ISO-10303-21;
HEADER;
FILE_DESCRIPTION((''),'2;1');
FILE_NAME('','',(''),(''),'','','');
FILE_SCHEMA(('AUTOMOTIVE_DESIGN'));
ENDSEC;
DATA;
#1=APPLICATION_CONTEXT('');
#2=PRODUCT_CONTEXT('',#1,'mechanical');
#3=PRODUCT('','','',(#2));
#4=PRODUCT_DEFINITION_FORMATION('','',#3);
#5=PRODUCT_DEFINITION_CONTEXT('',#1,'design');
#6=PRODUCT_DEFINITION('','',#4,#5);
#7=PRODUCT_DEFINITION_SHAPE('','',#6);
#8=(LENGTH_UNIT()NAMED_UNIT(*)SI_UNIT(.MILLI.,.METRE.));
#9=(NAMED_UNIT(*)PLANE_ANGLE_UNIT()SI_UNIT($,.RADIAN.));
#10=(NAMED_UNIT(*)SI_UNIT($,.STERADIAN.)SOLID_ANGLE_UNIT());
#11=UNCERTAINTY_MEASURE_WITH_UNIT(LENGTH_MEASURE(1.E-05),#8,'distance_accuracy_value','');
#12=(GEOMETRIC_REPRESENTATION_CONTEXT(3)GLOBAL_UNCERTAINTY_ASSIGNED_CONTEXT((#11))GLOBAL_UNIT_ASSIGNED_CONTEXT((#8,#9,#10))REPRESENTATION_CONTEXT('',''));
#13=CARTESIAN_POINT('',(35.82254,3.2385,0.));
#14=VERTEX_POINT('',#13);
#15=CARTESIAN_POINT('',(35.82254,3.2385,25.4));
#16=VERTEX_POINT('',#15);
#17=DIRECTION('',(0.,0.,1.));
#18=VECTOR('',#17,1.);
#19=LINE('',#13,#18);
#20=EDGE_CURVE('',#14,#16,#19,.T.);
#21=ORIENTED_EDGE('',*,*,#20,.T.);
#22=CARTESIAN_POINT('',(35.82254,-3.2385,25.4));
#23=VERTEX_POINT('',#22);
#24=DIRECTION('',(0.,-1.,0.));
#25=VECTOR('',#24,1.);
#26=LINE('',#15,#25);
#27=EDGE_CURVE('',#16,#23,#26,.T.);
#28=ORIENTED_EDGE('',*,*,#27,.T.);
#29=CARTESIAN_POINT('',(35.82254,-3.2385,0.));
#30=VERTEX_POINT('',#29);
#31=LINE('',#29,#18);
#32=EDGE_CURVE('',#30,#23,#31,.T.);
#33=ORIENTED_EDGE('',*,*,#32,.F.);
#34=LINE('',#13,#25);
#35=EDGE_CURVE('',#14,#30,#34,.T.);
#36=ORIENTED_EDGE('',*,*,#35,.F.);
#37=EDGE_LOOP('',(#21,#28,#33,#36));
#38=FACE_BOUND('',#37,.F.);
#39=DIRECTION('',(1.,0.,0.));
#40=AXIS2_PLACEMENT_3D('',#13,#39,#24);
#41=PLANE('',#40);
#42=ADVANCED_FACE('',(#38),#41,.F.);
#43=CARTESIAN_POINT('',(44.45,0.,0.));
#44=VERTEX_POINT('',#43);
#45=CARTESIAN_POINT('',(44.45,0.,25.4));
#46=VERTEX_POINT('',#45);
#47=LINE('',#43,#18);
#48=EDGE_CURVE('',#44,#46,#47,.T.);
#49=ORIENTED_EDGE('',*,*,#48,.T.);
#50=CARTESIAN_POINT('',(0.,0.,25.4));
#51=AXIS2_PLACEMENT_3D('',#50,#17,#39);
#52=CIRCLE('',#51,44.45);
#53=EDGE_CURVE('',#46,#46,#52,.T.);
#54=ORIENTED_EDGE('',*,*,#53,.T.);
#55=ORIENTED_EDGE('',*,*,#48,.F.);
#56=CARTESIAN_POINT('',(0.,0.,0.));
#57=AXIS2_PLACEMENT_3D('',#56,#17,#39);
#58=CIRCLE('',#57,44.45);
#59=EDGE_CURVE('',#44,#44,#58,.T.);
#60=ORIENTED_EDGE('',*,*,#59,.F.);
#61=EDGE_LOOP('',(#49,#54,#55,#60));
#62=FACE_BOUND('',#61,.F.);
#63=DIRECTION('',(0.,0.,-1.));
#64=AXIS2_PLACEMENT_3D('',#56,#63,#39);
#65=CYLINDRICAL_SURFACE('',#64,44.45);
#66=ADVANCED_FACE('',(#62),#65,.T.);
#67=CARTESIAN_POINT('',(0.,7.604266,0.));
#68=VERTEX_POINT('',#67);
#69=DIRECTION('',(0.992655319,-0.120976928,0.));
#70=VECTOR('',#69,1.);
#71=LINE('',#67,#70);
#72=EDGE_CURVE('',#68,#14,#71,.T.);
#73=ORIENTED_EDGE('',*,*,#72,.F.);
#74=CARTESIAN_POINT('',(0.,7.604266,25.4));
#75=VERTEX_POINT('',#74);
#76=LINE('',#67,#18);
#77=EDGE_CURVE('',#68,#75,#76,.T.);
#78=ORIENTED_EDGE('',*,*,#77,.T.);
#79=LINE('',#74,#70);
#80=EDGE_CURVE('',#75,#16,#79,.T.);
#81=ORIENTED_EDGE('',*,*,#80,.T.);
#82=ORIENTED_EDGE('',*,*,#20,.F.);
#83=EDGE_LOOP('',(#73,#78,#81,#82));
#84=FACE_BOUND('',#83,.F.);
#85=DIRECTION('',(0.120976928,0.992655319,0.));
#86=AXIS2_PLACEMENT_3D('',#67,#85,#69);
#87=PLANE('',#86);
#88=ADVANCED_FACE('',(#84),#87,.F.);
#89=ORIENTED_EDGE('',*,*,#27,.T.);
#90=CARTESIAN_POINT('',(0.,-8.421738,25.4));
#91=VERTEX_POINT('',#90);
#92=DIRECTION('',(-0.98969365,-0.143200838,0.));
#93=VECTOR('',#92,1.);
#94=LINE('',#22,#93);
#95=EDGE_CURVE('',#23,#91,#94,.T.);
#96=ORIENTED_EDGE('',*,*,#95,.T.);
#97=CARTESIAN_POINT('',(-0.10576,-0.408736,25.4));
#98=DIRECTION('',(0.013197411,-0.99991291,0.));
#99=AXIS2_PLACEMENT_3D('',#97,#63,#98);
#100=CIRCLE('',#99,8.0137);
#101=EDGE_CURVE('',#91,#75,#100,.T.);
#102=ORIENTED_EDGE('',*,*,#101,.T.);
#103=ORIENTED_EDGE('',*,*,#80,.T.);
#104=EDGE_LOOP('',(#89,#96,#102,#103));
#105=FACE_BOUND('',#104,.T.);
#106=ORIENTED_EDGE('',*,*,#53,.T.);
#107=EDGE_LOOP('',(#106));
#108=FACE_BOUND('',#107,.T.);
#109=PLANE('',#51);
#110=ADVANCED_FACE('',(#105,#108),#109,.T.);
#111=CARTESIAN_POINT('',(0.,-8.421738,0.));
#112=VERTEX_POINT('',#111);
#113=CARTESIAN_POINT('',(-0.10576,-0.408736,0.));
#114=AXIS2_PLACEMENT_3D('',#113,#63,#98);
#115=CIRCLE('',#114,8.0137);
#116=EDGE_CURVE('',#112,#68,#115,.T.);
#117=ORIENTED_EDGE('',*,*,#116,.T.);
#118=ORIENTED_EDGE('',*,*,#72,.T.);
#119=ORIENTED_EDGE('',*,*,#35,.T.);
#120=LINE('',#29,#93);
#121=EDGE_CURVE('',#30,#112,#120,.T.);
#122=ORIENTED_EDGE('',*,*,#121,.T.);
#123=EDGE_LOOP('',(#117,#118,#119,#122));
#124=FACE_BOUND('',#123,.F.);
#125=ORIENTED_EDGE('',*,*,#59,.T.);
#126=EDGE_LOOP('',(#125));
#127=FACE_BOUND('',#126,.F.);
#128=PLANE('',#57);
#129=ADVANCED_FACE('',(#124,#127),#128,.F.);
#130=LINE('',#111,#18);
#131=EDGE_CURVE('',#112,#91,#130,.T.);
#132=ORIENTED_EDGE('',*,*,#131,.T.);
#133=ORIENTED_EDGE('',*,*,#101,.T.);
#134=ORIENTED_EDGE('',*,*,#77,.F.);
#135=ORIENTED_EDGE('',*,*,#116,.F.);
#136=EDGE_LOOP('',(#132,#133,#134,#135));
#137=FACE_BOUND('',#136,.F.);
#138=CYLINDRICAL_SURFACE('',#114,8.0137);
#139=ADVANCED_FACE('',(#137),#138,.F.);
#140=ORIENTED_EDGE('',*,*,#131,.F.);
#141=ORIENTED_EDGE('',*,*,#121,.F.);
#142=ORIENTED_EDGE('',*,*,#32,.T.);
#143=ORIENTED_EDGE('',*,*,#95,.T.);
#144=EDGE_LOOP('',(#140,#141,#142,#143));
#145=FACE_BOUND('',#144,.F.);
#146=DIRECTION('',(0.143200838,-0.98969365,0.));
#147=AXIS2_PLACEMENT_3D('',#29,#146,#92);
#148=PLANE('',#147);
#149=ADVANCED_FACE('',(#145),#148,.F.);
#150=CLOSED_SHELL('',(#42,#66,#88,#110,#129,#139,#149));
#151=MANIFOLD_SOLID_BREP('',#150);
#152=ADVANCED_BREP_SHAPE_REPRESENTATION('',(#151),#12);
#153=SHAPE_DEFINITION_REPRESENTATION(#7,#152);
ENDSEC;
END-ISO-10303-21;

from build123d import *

# Parameters (mm, degrees)
F0_R     = 44.45
F1_DEPTH = 25.4


with BuildPart() as f1:
    # F0 (on Top) → F1 (new body)
    with BuildSketch(Plane.XY):
        Circle(F0_R)
        with BuildLine():
            Line((0, 7.604266), (35.82254, 3.2385))
            Line((35.82254, 3.2385), (35.82254, -3.2385))
            Line((35.82254, -3.2385), (0, -8.421738))
            ThreePointArc((0, -8.421738), (-8.11946, -0.408736), (0, 7.604266))
        make_face(mode=Mode.SUBTRACT)
    extrude(amount=F1_DEPTH)


solid = f1.part
